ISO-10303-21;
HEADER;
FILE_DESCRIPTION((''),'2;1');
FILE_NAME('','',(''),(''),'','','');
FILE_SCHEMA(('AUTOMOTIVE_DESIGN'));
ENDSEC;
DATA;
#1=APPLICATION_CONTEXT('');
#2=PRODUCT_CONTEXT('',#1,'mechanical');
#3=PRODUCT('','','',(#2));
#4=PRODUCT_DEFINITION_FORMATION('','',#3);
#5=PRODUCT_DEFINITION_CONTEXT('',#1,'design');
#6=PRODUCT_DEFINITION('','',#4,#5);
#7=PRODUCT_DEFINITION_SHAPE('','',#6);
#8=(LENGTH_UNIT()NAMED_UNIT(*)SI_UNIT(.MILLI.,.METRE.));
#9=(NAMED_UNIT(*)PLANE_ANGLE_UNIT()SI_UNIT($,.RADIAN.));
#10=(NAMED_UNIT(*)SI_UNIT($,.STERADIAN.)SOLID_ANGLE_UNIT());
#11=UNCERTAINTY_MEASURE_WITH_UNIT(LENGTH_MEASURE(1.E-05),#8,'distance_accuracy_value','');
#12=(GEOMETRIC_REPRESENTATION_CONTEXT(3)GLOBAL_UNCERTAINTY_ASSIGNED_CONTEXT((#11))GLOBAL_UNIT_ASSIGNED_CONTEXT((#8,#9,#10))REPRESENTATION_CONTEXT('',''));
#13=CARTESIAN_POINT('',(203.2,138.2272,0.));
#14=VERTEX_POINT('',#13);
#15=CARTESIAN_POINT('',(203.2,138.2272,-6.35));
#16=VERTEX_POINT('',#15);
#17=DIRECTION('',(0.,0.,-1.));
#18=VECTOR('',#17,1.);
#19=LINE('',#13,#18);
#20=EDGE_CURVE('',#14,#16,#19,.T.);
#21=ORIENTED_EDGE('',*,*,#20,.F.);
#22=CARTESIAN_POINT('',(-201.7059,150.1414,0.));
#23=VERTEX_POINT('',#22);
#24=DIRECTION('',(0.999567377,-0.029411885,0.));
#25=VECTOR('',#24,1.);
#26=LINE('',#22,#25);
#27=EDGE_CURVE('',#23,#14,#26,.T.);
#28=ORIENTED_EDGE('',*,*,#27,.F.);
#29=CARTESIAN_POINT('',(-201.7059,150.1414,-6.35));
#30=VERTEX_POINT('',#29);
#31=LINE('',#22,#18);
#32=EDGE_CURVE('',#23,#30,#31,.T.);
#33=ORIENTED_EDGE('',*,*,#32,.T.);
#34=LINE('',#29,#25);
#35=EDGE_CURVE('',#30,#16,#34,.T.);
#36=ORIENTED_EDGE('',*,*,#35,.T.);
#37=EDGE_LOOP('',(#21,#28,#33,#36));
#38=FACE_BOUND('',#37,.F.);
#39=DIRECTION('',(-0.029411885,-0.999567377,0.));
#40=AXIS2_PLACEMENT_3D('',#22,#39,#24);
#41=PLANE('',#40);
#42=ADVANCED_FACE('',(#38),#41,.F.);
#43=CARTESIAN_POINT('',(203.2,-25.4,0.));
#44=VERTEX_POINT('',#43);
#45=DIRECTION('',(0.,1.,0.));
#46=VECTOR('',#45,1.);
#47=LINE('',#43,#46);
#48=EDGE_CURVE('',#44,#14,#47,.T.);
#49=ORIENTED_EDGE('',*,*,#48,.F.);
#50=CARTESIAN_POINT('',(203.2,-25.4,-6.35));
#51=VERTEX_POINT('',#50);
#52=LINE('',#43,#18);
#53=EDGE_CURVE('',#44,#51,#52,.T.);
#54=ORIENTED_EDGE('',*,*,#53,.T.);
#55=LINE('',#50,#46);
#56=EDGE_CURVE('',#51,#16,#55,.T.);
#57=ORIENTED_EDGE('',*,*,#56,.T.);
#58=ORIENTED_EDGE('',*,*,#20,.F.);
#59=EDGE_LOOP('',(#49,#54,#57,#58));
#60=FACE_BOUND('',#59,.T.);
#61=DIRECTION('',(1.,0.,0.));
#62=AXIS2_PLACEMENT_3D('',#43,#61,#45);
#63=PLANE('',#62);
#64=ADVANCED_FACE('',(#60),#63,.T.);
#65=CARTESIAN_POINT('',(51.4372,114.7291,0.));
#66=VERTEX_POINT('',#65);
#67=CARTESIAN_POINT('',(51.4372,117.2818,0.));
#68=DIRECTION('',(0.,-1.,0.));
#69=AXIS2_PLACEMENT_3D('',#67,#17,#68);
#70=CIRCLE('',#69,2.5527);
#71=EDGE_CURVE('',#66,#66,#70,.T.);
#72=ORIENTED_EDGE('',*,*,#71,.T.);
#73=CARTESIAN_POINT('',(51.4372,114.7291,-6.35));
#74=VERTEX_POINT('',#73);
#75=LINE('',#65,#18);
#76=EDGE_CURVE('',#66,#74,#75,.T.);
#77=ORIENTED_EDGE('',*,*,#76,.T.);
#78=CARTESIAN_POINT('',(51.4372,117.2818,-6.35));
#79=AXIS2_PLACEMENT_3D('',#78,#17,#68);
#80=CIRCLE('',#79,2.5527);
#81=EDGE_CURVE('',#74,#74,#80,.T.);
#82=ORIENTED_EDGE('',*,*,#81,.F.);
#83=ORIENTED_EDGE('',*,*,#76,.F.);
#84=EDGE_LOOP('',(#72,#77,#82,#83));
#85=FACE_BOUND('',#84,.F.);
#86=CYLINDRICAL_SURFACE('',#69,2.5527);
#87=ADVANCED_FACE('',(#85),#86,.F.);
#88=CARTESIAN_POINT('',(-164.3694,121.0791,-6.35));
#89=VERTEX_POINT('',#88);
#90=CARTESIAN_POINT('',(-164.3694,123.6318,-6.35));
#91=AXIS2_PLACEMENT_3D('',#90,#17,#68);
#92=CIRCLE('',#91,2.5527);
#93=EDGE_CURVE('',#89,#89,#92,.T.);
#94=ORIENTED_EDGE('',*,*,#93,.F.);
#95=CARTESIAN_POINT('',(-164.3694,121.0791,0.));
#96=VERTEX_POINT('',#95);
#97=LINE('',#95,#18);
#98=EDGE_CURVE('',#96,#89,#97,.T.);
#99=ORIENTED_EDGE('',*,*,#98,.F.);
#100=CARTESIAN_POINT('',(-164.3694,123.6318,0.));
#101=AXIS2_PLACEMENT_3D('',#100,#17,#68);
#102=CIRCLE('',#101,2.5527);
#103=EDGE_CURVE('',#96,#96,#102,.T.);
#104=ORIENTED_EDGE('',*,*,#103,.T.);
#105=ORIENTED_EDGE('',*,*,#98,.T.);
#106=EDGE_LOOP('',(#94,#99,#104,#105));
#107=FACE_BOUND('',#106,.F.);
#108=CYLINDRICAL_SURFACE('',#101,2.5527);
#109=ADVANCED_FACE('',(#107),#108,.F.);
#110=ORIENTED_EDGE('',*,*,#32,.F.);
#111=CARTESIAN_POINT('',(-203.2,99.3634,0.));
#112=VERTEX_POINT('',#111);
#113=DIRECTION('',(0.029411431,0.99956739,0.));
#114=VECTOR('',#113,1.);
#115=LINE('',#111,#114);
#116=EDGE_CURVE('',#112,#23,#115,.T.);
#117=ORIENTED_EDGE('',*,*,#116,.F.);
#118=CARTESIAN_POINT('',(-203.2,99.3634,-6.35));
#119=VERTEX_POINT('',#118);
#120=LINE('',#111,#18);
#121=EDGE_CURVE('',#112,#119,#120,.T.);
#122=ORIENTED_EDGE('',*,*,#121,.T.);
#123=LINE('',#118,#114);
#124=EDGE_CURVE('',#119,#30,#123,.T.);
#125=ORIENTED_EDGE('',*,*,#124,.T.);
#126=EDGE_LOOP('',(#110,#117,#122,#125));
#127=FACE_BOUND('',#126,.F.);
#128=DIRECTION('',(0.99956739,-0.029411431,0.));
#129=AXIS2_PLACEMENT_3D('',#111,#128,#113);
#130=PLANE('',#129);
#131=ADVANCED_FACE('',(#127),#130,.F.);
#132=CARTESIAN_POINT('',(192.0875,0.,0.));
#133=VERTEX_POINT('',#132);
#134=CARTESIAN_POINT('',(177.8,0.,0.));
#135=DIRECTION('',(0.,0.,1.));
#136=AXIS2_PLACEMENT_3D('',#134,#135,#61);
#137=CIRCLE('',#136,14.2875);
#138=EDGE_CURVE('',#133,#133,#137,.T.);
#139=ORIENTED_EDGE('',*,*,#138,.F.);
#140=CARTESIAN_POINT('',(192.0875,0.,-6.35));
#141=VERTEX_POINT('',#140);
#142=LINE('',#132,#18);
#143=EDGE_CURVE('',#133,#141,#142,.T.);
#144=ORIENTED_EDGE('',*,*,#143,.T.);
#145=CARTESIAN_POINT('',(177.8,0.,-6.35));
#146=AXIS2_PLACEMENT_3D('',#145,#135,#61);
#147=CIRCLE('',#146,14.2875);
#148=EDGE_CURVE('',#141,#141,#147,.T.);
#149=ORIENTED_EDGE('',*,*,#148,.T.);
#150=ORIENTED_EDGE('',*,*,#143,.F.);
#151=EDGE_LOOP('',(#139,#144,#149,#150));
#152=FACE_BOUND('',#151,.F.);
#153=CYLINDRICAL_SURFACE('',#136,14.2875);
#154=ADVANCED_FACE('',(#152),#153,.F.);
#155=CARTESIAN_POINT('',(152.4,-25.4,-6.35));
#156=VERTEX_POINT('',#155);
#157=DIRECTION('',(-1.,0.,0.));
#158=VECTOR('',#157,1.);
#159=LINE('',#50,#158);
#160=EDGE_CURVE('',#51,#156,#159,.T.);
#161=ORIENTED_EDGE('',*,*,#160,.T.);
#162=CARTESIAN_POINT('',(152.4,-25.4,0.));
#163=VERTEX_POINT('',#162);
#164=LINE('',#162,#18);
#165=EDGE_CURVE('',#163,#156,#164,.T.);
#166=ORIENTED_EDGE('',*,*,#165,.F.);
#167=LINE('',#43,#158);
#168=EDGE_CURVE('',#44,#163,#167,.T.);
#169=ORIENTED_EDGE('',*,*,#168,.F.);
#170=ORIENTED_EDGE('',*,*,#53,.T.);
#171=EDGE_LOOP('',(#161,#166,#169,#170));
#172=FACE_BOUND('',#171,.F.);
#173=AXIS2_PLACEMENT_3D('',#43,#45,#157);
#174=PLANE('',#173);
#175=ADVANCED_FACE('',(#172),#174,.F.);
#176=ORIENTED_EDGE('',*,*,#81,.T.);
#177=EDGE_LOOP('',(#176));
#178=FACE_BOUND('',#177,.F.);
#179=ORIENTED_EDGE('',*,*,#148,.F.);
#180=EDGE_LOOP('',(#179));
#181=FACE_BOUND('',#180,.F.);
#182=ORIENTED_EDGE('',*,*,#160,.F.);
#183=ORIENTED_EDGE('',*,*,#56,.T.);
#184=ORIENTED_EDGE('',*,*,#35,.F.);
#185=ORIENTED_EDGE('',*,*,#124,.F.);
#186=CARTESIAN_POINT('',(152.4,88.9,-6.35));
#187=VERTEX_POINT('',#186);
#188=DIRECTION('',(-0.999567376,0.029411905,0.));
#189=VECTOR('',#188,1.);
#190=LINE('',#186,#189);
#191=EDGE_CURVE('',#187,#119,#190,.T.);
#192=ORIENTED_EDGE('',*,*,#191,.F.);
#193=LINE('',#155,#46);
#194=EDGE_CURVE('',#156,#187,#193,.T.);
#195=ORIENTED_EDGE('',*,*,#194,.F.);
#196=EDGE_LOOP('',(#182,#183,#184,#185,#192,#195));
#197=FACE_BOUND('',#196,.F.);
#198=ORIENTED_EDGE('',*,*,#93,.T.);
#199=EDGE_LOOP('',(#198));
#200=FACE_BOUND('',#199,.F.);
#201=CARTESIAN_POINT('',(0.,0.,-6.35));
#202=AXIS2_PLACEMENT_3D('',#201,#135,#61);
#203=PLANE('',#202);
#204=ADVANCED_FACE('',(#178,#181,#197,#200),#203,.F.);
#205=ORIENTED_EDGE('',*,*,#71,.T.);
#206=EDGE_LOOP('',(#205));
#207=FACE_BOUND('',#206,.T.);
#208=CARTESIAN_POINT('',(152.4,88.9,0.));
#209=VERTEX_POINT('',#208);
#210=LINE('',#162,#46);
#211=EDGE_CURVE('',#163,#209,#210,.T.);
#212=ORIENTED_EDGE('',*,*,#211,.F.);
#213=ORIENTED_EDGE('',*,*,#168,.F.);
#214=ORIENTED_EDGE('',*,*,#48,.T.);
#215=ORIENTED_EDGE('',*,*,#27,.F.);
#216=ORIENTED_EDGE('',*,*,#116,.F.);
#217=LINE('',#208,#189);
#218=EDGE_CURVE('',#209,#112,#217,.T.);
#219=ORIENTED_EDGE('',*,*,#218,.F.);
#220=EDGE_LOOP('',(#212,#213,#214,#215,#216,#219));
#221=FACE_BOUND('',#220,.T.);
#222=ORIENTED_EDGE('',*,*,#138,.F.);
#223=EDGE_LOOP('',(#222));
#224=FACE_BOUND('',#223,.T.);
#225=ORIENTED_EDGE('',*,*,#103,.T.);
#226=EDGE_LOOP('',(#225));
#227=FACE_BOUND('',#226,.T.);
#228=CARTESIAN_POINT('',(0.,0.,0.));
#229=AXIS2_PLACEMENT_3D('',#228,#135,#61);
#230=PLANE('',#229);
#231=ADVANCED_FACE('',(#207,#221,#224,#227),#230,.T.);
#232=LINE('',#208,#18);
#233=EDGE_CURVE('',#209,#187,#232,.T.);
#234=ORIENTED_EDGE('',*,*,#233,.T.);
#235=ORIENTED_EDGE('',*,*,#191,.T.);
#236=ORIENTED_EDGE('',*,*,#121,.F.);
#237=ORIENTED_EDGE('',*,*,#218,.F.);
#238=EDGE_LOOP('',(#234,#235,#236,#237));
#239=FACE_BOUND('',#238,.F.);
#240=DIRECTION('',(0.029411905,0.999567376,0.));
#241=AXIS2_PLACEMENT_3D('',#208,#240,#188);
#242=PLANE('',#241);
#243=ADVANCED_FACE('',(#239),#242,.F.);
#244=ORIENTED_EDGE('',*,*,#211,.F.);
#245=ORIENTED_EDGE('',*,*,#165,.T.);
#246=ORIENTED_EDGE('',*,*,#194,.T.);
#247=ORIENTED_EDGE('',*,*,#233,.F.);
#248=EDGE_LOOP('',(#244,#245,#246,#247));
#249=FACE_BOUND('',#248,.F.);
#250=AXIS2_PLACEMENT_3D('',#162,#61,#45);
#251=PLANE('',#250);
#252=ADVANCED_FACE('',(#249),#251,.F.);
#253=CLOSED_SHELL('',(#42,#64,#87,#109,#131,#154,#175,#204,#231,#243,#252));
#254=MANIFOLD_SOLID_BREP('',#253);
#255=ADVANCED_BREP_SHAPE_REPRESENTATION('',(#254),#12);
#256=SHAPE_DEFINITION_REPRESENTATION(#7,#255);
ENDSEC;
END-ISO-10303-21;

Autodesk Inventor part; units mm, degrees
ref_plane "YZ Plane" through (0, 0, 0) normal (1, 0, 0) x (0, 1, 0)
ref_plane "XZ Plane" through (0, 0, 0) normal (0, 1, 0) x (-1, 0, 0)
ref_plane "XY Plane" through (0, 0, 0) normal (0, 0, 1) x (1, 0, 0)
sketch "Sketch1" plane through (0, 0, 0) normal (0, 0, 1) x (1, 0, 0)
  line L0 (-203.2, -25.4) -> (203.2, -25.4) construction
  line L1 (203.2, -25.4) -> (203.2, 25.4) construction
  line L2 (203.2, 25.4) -> (-203.2, 25.4) construction
  line L3 (-203.2, 25.4) -> (-203.2, -25.4) construction
  line L4 (-203.2, -25.4) -> (203.2, 25.4) construction
  line L5 (203.2, -25.4) -> (-203.2, 25.4) construction
  circle A0 centre (-164.3694, 123.6318) radius 14.2875 construction
  circle A1 centre (51.4372, 117.2818) radius 14.2875 construction
  line L6 (-157.3708, -518.3539) -> (-157.3708, -1127.9539) construction
  line L7 (-157.3708, -1127.9539) -> (29.9542, -1127.9539) construction
  line L8 (29.9542, -1127.9539) -> (29.9542, -518.3539) construction
  line L9 (29.9542, -518.3539) -> (-157.3708, -518.3539) construction
  line L10 (-164.3694, 123.6318) -> (51.4372, 117.2818) construction
  circle A2 centre (177.8, 0) radius 14.2875
  line L11 (203.2, -25.4) -> (152.4, -25.4)
  line L12 (203.2, -25.4) -> (203.2, 138.2272)
  line L13 (152.4, -25.4) -> (152.4, 88.9)
  line L14 (152.4, 88.9) -> (-203.2, 99.3634)
  line L15 (-203.2, 99.3634) -> (-201.7059, 150.1414)
  line L16 (-201.7059, 150.1414) -> (203.2, 138.2272)
  point P0 (0, 0)
  point P1 (-203.2, 0)
  point P2 (203.2, 0)
  dimension "d0" = 406.4
  dimension "d1" = 50.8
  dimension "d2" = 28.575
  dimension "d3" = 28.575
  dimension "d4" = 187.325
  dimension "d5" = 609.6
  dimension "d6" = 215.9
  dimension "d7" = 6.35
  dimension "d10" = 28.575
  dimension "d11" = 25.4
  dimension "d21" = 50.8
  dimension "d22" = 25.4
  dimension "d23" = 38.1
  dimension "d24" = 114.3
  dimension "d25" = 50.8
extrude "Extrusion1" add sketch "Sketch1" against normal blind 6.35
hole "Hole1" at (51.4372, 117.2818, 0) at (-164.3694, 123.6318, 0) direction (0, 0, -1) diameter 5.1054 end through all clearance for "Flat Head Machine Screw (82)" size "#10" standard "Ansi Unified Screw Threads"
properties part number "CL2-004" material "Aluminum 6061"
